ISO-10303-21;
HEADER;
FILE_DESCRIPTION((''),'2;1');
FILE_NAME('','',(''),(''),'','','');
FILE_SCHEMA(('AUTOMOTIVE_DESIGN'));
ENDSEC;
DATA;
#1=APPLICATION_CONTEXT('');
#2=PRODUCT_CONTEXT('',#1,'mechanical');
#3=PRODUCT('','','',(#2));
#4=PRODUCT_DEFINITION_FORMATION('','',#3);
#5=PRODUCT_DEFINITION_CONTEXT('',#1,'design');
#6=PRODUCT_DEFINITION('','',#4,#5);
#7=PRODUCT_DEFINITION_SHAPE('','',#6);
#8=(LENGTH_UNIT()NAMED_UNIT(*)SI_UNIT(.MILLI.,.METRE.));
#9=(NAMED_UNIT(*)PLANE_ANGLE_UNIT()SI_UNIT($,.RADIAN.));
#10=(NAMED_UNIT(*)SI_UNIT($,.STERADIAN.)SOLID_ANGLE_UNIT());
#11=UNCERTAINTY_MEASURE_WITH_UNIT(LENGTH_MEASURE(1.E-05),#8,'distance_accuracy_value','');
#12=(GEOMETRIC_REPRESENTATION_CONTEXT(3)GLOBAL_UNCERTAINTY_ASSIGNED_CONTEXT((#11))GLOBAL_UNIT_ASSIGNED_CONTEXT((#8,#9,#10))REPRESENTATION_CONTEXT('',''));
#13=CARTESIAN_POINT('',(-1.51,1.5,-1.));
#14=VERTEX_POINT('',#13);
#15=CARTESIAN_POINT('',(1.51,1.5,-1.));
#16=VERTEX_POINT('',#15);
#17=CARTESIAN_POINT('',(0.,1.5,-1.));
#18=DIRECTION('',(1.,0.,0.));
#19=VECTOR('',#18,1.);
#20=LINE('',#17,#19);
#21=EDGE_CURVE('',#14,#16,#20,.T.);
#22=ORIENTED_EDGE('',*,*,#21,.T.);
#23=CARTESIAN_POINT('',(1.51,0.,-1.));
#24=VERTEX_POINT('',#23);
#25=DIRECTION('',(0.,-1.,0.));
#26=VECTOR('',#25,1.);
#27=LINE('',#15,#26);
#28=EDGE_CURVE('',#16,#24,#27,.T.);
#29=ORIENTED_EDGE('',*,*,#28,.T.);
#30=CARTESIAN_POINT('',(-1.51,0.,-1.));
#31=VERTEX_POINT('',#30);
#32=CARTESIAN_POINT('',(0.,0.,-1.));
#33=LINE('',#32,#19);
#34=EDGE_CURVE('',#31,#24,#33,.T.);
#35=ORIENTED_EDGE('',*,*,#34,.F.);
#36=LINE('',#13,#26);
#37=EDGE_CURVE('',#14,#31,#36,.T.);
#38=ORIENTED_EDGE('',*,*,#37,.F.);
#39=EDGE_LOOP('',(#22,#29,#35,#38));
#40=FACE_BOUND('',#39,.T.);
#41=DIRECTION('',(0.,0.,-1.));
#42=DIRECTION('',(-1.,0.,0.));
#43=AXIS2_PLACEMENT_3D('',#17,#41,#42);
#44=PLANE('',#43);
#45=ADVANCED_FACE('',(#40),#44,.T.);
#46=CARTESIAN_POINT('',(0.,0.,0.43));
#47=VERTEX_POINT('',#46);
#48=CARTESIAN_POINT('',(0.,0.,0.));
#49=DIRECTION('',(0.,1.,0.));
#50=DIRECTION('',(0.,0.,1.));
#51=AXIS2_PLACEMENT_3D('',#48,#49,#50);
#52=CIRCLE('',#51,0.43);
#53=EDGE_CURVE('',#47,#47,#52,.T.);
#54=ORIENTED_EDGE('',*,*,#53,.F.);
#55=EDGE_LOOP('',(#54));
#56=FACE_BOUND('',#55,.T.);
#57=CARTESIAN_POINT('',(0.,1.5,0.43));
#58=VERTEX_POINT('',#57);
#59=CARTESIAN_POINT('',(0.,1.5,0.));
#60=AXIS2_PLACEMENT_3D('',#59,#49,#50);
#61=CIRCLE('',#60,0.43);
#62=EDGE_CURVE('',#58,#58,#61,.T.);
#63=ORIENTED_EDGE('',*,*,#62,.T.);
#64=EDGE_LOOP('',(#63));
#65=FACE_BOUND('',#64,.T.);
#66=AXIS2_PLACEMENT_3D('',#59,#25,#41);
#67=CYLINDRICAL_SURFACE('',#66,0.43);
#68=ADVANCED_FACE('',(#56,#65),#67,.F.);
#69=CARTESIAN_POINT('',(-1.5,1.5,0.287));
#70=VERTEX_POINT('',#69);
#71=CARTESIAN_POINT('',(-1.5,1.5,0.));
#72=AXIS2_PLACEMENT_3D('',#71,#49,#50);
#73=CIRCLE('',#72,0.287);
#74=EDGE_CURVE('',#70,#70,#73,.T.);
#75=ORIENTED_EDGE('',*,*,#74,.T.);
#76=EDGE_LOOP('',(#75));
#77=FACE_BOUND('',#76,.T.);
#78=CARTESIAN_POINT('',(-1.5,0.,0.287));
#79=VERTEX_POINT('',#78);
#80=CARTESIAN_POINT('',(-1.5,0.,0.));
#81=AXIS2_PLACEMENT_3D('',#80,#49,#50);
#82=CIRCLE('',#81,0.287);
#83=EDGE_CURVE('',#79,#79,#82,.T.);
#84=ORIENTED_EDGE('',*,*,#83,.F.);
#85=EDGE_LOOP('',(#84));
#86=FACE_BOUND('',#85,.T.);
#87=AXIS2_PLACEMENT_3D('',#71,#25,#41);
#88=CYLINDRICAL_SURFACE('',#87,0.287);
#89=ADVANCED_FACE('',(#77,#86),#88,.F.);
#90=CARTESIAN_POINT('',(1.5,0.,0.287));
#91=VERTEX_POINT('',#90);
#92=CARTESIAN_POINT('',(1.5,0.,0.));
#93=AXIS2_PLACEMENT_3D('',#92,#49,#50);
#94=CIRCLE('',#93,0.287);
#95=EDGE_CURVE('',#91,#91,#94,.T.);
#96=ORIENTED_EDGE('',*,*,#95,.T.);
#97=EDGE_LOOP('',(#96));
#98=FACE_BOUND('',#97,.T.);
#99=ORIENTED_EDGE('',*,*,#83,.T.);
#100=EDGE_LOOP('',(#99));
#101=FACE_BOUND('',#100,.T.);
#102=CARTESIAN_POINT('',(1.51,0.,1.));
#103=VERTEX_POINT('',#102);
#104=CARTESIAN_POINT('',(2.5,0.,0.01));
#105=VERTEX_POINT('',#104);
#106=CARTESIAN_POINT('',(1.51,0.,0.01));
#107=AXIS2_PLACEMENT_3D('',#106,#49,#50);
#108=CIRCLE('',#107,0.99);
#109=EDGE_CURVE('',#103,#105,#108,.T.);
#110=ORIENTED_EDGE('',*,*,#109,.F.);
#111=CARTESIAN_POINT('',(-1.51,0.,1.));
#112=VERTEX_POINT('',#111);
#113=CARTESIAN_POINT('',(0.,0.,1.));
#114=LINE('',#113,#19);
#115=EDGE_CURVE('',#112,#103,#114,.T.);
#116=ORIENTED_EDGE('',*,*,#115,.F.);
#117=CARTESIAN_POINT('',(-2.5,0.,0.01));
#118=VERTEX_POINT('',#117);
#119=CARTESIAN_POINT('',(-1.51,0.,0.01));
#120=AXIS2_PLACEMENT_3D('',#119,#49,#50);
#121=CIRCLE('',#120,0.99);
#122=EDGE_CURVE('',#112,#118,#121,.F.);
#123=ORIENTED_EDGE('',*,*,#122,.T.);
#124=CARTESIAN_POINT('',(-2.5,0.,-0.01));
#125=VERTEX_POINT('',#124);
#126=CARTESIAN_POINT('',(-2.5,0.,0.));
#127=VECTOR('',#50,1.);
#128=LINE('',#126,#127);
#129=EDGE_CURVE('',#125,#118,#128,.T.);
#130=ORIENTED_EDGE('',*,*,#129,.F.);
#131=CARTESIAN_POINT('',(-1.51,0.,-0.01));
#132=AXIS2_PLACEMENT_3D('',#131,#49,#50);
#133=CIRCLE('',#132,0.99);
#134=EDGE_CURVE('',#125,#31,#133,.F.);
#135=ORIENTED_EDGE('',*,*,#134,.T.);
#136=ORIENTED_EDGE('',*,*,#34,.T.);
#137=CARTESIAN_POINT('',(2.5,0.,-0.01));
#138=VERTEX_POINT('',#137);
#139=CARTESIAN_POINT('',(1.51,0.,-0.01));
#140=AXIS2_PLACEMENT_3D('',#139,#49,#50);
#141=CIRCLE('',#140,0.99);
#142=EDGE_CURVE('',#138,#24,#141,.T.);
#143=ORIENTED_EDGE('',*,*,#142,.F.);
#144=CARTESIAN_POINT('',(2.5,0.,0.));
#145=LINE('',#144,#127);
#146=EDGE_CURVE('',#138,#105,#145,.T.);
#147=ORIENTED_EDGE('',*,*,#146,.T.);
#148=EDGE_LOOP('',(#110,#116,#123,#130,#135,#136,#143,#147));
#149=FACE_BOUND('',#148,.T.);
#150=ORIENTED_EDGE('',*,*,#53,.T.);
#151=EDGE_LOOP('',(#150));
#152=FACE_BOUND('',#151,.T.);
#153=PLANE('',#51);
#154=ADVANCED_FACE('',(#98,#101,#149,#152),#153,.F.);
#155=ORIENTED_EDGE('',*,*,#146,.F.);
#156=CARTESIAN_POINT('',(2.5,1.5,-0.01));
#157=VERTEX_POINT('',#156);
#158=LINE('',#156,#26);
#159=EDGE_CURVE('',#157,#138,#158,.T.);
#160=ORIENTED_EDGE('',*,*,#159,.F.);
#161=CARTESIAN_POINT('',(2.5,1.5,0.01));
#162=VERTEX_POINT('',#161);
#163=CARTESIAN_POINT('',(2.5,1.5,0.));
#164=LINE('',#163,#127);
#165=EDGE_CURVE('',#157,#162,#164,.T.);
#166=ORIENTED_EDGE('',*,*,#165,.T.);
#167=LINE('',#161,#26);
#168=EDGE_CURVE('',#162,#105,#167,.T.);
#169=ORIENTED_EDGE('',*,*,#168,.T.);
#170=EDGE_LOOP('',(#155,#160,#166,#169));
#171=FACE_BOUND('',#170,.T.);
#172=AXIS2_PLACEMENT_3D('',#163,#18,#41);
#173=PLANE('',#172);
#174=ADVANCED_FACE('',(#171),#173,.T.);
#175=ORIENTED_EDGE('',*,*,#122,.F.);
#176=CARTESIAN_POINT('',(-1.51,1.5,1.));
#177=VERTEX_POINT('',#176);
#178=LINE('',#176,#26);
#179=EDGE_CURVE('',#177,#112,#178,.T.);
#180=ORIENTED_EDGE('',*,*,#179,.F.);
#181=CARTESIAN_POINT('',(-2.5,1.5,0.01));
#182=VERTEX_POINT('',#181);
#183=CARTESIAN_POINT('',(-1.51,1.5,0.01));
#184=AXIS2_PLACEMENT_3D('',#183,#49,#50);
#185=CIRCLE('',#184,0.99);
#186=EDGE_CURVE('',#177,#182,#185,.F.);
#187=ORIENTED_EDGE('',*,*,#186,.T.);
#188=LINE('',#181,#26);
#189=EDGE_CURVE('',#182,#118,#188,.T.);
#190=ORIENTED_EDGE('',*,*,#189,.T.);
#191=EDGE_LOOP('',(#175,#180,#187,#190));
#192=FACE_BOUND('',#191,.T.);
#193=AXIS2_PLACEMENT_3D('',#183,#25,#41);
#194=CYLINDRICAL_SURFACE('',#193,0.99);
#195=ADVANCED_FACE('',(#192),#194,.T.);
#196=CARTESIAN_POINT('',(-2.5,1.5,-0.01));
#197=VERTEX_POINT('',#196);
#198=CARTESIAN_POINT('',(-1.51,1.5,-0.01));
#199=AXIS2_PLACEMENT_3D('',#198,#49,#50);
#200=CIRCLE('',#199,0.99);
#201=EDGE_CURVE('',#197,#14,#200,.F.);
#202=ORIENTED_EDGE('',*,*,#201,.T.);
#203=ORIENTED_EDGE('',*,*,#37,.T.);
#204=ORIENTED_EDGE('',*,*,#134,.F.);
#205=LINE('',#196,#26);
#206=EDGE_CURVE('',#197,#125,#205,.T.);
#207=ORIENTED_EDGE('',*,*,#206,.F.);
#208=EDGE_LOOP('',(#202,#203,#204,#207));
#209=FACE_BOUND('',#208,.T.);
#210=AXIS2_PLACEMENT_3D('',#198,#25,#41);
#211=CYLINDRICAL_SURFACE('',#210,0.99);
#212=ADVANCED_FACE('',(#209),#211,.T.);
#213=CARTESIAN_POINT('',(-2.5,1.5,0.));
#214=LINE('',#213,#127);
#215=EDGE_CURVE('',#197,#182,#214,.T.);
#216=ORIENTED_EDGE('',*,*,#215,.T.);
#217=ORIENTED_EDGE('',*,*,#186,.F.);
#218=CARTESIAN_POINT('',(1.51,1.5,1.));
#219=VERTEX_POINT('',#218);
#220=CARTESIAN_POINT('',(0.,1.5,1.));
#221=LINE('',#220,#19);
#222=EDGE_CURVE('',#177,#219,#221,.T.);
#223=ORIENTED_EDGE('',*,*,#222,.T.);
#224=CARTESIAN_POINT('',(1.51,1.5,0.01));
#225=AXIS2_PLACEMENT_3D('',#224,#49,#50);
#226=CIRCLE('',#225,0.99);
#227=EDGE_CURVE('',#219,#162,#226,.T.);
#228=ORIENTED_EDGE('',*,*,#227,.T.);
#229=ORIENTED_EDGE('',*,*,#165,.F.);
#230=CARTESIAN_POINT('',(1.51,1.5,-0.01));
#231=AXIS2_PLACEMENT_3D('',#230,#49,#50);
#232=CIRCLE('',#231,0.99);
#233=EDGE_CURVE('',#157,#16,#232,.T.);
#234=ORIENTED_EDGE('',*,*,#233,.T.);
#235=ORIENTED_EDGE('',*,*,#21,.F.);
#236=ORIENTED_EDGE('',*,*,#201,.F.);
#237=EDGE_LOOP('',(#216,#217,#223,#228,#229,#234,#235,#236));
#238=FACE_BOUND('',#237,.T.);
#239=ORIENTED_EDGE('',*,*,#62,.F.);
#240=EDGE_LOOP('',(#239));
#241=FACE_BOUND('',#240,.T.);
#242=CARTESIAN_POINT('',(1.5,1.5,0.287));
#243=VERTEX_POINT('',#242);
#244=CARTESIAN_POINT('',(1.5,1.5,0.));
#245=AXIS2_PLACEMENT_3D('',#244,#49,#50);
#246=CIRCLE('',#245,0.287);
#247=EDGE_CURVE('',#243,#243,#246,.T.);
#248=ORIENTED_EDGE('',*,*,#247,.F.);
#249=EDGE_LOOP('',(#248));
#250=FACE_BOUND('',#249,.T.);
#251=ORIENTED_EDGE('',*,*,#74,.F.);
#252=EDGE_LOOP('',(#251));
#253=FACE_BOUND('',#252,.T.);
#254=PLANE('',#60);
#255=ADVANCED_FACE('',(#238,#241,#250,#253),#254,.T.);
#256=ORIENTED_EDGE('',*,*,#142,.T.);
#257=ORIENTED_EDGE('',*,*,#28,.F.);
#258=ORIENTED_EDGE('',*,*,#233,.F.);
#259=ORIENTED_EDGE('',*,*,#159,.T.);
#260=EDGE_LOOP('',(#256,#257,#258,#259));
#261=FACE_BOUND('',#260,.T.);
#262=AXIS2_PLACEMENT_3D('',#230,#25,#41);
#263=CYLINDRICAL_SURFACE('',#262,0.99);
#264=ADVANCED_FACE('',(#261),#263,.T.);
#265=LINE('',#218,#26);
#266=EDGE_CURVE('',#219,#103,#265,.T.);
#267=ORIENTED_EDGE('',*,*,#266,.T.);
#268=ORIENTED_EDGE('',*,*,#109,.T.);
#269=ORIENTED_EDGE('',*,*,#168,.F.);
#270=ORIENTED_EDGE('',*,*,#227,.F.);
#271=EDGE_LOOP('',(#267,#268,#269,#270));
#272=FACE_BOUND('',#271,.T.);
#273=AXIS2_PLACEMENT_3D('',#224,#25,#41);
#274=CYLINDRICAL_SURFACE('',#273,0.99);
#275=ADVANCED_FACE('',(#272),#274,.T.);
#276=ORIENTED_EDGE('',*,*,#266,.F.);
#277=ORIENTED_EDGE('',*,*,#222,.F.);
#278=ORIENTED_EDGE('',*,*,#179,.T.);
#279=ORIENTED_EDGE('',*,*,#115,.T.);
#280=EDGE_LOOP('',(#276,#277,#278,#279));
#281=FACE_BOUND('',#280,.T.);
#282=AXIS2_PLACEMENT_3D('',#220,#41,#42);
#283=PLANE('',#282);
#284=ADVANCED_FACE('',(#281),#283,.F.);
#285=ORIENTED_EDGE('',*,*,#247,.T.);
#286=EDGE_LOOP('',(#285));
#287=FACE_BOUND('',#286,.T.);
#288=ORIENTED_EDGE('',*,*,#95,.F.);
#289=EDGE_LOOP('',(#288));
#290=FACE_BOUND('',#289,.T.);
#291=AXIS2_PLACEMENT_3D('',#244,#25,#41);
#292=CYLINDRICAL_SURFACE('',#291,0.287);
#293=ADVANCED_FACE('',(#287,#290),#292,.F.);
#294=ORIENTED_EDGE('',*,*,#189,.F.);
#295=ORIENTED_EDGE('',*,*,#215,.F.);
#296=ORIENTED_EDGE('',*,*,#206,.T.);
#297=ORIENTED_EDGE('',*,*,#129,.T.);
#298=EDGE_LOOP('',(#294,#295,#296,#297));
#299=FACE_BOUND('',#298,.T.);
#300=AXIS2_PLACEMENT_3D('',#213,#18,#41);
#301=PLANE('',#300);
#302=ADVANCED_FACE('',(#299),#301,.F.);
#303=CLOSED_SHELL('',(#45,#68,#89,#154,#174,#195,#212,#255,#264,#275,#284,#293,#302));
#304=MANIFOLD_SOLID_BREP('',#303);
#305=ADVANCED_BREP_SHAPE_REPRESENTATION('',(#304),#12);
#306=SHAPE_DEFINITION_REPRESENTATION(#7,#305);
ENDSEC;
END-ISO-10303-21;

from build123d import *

# Parameters (mm, degrees)
SKETCH1_R           = 0.43
SKETCH1_R_2         = 0.287
BOSS_EXTRUDE1_DEPTH = 1.5


with BuildPart() as part:
    # Sketch1 → Boss-Extrude1 (new body)
    with BuildSketch(Plane(origin=(0, 0, 0), x_dir=(1, 0, 0), z_dir=(0, 1, 0))):
        with BuildLine():
            Line((-1.51, 1), (1.51, 1))
            ThreePointArc((1.51, 1), (2.210035713, 0.710035713), (2.5, 0.01))
            Line((2.5, 0.01), (2.5, -0.01))
            ThreePointArc((2.5, -0.01), (2.210035713, -0.710035713), (1.51, -1))
            Line((1.51, -1), (-1.51, -1))
            ThreePointArc((-1.51, -1), (-2.210035713, -0.710035713), (-2.5, -0.01))
            Line((-2.5, -0.01), (-2.5, 0.01))
            ThreePointArc((-2.5, 0.01), (-2.210035713, 0.710035713), (-1.51, 1))
        make_face()
        with Locations(Location((0, 0, 0), (0, 0, 270))):
            Circle(SKETCH1_R, mode=Mode.SUBTRACT)
        with Locations(Location((1.5, 0, 0), (0, 0, 270))):
            Circle(SKETCH1_R_2, mode=Mode.SUBTRACT)
        with Locations(Location((-1.5, 0, 0), (0, 0, 270))):
            Circle(SKETCH1_R_2, mode=Mode.SUBTRACT)
    extrude(amount=BOSS_EXTRUDE1_DEPTH)


solid = part.part
